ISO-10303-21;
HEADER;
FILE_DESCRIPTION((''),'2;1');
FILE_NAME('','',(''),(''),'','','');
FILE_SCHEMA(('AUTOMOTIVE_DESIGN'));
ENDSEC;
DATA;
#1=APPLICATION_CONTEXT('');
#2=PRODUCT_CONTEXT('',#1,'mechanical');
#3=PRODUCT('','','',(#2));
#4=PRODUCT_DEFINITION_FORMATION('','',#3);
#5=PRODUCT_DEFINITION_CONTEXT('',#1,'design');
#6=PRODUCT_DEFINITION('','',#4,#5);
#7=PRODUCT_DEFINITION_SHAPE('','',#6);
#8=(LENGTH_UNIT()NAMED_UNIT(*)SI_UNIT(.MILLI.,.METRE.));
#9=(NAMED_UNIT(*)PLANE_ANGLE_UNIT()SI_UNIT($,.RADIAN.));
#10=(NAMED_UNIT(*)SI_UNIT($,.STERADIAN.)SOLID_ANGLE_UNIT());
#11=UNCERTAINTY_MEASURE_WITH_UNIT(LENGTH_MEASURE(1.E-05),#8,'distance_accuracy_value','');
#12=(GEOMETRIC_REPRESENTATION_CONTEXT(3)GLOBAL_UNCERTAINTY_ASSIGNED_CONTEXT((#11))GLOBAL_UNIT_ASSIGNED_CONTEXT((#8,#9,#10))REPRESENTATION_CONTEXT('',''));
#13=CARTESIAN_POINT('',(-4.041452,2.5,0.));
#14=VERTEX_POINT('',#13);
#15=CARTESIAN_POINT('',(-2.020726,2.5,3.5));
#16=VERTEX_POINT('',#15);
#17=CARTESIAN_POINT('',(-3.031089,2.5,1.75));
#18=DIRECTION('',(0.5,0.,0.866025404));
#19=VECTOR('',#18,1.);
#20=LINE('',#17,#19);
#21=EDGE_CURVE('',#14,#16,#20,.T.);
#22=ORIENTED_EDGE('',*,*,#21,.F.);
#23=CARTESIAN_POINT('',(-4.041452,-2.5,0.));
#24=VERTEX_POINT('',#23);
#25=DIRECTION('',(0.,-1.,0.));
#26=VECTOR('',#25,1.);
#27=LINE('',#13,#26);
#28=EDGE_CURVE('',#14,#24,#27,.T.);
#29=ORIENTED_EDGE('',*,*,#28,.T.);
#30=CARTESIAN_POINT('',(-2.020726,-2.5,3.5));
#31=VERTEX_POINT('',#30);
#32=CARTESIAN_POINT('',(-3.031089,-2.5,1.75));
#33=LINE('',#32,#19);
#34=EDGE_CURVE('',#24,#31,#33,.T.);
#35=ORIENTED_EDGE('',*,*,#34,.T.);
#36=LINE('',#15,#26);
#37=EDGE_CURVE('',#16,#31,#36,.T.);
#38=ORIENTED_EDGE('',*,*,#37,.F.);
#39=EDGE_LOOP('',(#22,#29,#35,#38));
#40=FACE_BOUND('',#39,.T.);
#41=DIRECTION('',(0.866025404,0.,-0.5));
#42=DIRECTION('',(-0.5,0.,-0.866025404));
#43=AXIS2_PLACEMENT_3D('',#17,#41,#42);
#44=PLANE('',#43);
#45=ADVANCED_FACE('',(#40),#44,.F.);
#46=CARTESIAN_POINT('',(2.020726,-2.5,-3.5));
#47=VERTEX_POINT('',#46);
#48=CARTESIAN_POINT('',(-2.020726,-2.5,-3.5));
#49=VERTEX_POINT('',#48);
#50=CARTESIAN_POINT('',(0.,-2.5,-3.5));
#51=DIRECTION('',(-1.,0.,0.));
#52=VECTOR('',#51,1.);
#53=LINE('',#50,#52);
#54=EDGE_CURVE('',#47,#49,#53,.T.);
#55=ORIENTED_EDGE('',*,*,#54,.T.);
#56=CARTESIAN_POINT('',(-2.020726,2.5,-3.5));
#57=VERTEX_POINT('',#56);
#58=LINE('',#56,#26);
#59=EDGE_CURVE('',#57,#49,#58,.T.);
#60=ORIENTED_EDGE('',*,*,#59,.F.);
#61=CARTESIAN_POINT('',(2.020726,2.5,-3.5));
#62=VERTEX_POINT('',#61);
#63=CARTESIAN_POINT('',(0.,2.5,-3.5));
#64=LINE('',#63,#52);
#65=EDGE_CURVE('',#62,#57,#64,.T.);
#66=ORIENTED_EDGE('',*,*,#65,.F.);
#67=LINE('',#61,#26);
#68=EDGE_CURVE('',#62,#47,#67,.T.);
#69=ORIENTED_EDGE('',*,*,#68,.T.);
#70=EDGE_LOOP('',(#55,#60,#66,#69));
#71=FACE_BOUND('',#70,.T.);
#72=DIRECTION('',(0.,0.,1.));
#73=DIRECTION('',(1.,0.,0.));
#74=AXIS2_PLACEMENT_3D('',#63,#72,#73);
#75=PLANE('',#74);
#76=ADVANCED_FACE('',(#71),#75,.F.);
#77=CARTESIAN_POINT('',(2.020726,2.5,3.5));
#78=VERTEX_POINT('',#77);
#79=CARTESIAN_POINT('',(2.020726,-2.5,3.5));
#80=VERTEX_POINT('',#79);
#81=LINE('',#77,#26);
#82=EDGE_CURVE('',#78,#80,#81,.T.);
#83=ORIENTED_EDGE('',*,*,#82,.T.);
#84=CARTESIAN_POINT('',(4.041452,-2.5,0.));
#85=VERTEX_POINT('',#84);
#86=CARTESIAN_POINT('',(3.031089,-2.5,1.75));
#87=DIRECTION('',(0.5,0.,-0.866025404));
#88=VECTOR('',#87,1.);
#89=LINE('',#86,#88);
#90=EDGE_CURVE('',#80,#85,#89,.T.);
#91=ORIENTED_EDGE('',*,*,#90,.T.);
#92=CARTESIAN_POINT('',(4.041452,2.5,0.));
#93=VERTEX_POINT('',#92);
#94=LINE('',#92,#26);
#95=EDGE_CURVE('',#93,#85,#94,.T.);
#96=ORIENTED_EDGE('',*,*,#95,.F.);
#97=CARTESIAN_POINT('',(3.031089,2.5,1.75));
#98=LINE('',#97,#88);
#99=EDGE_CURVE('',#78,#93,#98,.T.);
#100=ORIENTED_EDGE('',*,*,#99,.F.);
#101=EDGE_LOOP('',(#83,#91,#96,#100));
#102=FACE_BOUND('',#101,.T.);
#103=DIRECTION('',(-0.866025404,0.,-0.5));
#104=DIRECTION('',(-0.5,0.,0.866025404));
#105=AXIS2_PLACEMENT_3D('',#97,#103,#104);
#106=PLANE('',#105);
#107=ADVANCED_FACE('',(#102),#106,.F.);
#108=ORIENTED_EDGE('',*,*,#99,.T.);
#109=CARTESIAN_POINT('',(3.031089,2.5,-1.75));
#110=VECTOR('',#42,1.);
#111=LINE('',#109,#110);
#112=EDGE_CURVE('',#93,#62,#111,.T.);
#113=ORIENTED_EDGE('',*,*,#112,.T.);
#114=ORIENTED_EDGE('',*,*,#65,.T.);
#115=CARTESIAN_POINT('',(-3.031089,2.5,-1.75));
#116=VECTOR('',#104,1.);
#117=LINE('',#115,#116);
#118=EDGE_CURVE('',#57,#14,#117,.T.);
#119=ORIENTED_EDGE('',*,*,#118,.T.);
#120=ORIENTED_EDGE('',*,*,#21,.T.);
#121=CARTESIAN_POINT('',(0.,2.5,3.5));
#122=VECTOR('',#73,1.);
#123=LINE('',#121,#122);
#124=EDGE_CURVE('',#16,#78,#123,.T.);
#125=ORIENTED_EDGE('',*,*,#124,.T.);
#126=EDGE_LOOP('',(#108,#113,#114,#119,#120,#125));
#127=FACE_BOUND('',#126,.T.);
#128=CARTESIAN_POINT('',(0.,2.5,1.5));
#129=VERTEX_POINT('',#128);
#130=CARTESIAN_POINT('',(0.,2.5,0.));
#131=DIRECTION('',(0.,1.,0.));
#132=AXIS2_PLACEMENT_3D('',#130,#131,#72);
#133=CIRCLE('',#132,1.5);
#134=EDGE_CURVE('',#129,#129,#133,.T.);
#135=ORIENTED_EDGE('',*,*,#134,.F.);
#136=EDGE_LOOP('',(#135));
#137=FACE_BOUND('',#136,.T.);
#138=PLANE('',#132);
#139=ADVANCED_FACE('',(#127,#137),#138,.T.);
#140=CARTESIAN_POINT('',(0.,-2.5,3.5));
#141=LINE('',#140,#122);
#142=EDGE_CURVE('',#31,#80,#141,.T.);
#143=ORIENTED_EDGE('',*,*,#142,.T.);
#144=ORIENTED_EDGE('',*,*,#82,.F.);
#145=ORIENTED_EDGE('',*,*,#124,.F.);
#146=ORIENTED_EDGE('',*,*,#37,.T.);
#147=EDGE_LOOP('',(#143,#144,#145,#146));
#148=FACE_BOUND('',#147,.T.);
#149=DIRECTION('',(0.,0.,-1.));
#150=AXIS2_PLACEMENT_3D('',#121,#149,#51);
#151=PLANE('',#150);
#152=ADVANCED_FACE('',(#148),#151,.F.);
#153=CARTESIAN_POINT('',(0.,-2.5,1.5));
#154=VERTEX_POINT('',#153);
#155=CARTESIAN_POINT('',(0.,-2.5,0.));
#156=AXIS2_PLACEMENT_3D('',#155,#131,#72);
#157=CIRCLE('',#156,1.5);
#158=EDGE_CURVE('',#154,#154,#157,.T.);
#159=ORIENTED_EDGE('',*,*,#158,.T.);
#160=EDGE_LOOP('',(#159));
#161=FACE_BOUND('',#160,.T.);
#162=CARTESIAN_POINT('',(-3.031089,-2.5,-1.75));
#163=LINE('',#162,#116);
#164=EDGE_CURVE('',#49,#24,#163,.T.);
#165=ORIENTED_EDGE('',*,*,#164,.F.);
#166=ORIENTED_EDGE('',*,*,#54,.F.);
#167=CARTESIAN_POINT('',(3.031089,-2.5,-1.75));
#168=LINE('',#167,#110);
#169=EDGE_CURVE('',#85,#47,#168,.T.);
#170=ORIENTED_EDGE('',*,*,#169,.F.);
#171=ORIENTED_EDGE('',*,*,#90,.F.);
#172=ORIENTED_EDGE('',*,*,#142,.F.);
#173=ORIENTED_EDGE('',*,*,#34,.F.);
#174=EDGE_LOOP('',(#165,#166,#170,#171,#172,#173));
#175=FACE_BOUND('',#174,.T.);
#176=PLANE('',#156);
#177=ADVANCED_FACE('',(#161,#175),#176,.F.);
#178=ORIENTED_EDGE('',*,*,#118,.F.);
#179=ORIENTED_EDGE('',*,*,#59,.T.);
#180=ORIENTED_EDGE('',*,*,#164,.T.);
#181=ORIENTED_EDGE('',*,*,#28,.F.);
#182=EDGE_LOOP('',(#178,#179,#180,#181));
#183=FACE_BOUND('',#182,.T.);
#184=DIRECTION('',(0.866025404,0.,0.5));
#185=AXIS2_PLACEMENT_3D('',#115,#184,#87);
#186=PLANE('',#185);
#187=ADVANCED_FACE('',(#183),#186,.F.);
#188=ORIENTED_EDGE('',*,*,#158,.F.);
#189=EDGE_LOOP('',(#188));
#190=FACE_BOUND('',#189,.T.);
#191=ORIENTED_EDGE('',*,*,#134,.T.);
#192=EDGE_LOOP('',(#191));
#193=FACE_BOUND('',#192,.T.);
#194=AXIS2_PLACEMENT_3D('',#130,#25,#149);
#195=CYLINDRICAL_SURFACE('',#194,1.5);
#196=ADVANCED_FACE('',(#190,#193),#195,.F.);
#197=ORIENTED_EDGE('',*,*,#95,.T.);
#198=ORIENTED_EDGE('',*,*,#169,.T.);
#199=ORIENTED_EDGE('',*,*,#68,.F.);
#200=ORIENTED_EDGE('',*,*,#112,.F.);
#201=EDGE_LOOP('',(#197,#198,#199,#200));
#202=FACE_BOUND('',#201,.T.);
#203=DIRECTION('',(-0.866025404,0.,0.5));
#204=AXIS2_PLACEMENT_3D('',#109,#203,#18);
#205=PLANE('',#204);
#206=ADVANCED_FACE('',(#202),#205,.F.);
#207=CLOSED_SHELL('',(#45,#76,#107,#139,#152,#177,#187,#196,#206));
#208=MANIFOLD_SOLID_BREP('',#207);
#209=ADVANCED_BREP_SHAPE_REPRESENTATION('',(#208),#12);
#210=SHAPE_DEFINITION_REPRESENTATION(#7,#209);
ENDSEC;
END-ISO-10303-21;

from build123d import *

# Parameters (mm, degrees)
CROQUIS1_R              = 1.5
SALIENTE_EXTRUIR1_DEPTH = 2.5


with BuildPart() as part:
    # Croquis1 → Saliente-Extruir1 (new, symmetric)
    with BuildSketch(Plane(origin=(0, 0, 0), x_dir=(1, 0, 0), z_dir=(0, 1, 0))):
        Polygon((-2.020725942, -3.5), (2.020725942, -3.5), (4.041451884, 0), (2.020725942, 3.5), (-2.020725942, 3.5), (-4.041451884, 0), align=None)
        with Locations(Location((0, 0, 0), (0, 0, 270))):
            Circle(CROQUIS1_R, mode=Mode.SUBTRACT)
    extrude(amount=SALIENTE_EXTRUIR1_DEPTH, both=True)


solid = part.part
